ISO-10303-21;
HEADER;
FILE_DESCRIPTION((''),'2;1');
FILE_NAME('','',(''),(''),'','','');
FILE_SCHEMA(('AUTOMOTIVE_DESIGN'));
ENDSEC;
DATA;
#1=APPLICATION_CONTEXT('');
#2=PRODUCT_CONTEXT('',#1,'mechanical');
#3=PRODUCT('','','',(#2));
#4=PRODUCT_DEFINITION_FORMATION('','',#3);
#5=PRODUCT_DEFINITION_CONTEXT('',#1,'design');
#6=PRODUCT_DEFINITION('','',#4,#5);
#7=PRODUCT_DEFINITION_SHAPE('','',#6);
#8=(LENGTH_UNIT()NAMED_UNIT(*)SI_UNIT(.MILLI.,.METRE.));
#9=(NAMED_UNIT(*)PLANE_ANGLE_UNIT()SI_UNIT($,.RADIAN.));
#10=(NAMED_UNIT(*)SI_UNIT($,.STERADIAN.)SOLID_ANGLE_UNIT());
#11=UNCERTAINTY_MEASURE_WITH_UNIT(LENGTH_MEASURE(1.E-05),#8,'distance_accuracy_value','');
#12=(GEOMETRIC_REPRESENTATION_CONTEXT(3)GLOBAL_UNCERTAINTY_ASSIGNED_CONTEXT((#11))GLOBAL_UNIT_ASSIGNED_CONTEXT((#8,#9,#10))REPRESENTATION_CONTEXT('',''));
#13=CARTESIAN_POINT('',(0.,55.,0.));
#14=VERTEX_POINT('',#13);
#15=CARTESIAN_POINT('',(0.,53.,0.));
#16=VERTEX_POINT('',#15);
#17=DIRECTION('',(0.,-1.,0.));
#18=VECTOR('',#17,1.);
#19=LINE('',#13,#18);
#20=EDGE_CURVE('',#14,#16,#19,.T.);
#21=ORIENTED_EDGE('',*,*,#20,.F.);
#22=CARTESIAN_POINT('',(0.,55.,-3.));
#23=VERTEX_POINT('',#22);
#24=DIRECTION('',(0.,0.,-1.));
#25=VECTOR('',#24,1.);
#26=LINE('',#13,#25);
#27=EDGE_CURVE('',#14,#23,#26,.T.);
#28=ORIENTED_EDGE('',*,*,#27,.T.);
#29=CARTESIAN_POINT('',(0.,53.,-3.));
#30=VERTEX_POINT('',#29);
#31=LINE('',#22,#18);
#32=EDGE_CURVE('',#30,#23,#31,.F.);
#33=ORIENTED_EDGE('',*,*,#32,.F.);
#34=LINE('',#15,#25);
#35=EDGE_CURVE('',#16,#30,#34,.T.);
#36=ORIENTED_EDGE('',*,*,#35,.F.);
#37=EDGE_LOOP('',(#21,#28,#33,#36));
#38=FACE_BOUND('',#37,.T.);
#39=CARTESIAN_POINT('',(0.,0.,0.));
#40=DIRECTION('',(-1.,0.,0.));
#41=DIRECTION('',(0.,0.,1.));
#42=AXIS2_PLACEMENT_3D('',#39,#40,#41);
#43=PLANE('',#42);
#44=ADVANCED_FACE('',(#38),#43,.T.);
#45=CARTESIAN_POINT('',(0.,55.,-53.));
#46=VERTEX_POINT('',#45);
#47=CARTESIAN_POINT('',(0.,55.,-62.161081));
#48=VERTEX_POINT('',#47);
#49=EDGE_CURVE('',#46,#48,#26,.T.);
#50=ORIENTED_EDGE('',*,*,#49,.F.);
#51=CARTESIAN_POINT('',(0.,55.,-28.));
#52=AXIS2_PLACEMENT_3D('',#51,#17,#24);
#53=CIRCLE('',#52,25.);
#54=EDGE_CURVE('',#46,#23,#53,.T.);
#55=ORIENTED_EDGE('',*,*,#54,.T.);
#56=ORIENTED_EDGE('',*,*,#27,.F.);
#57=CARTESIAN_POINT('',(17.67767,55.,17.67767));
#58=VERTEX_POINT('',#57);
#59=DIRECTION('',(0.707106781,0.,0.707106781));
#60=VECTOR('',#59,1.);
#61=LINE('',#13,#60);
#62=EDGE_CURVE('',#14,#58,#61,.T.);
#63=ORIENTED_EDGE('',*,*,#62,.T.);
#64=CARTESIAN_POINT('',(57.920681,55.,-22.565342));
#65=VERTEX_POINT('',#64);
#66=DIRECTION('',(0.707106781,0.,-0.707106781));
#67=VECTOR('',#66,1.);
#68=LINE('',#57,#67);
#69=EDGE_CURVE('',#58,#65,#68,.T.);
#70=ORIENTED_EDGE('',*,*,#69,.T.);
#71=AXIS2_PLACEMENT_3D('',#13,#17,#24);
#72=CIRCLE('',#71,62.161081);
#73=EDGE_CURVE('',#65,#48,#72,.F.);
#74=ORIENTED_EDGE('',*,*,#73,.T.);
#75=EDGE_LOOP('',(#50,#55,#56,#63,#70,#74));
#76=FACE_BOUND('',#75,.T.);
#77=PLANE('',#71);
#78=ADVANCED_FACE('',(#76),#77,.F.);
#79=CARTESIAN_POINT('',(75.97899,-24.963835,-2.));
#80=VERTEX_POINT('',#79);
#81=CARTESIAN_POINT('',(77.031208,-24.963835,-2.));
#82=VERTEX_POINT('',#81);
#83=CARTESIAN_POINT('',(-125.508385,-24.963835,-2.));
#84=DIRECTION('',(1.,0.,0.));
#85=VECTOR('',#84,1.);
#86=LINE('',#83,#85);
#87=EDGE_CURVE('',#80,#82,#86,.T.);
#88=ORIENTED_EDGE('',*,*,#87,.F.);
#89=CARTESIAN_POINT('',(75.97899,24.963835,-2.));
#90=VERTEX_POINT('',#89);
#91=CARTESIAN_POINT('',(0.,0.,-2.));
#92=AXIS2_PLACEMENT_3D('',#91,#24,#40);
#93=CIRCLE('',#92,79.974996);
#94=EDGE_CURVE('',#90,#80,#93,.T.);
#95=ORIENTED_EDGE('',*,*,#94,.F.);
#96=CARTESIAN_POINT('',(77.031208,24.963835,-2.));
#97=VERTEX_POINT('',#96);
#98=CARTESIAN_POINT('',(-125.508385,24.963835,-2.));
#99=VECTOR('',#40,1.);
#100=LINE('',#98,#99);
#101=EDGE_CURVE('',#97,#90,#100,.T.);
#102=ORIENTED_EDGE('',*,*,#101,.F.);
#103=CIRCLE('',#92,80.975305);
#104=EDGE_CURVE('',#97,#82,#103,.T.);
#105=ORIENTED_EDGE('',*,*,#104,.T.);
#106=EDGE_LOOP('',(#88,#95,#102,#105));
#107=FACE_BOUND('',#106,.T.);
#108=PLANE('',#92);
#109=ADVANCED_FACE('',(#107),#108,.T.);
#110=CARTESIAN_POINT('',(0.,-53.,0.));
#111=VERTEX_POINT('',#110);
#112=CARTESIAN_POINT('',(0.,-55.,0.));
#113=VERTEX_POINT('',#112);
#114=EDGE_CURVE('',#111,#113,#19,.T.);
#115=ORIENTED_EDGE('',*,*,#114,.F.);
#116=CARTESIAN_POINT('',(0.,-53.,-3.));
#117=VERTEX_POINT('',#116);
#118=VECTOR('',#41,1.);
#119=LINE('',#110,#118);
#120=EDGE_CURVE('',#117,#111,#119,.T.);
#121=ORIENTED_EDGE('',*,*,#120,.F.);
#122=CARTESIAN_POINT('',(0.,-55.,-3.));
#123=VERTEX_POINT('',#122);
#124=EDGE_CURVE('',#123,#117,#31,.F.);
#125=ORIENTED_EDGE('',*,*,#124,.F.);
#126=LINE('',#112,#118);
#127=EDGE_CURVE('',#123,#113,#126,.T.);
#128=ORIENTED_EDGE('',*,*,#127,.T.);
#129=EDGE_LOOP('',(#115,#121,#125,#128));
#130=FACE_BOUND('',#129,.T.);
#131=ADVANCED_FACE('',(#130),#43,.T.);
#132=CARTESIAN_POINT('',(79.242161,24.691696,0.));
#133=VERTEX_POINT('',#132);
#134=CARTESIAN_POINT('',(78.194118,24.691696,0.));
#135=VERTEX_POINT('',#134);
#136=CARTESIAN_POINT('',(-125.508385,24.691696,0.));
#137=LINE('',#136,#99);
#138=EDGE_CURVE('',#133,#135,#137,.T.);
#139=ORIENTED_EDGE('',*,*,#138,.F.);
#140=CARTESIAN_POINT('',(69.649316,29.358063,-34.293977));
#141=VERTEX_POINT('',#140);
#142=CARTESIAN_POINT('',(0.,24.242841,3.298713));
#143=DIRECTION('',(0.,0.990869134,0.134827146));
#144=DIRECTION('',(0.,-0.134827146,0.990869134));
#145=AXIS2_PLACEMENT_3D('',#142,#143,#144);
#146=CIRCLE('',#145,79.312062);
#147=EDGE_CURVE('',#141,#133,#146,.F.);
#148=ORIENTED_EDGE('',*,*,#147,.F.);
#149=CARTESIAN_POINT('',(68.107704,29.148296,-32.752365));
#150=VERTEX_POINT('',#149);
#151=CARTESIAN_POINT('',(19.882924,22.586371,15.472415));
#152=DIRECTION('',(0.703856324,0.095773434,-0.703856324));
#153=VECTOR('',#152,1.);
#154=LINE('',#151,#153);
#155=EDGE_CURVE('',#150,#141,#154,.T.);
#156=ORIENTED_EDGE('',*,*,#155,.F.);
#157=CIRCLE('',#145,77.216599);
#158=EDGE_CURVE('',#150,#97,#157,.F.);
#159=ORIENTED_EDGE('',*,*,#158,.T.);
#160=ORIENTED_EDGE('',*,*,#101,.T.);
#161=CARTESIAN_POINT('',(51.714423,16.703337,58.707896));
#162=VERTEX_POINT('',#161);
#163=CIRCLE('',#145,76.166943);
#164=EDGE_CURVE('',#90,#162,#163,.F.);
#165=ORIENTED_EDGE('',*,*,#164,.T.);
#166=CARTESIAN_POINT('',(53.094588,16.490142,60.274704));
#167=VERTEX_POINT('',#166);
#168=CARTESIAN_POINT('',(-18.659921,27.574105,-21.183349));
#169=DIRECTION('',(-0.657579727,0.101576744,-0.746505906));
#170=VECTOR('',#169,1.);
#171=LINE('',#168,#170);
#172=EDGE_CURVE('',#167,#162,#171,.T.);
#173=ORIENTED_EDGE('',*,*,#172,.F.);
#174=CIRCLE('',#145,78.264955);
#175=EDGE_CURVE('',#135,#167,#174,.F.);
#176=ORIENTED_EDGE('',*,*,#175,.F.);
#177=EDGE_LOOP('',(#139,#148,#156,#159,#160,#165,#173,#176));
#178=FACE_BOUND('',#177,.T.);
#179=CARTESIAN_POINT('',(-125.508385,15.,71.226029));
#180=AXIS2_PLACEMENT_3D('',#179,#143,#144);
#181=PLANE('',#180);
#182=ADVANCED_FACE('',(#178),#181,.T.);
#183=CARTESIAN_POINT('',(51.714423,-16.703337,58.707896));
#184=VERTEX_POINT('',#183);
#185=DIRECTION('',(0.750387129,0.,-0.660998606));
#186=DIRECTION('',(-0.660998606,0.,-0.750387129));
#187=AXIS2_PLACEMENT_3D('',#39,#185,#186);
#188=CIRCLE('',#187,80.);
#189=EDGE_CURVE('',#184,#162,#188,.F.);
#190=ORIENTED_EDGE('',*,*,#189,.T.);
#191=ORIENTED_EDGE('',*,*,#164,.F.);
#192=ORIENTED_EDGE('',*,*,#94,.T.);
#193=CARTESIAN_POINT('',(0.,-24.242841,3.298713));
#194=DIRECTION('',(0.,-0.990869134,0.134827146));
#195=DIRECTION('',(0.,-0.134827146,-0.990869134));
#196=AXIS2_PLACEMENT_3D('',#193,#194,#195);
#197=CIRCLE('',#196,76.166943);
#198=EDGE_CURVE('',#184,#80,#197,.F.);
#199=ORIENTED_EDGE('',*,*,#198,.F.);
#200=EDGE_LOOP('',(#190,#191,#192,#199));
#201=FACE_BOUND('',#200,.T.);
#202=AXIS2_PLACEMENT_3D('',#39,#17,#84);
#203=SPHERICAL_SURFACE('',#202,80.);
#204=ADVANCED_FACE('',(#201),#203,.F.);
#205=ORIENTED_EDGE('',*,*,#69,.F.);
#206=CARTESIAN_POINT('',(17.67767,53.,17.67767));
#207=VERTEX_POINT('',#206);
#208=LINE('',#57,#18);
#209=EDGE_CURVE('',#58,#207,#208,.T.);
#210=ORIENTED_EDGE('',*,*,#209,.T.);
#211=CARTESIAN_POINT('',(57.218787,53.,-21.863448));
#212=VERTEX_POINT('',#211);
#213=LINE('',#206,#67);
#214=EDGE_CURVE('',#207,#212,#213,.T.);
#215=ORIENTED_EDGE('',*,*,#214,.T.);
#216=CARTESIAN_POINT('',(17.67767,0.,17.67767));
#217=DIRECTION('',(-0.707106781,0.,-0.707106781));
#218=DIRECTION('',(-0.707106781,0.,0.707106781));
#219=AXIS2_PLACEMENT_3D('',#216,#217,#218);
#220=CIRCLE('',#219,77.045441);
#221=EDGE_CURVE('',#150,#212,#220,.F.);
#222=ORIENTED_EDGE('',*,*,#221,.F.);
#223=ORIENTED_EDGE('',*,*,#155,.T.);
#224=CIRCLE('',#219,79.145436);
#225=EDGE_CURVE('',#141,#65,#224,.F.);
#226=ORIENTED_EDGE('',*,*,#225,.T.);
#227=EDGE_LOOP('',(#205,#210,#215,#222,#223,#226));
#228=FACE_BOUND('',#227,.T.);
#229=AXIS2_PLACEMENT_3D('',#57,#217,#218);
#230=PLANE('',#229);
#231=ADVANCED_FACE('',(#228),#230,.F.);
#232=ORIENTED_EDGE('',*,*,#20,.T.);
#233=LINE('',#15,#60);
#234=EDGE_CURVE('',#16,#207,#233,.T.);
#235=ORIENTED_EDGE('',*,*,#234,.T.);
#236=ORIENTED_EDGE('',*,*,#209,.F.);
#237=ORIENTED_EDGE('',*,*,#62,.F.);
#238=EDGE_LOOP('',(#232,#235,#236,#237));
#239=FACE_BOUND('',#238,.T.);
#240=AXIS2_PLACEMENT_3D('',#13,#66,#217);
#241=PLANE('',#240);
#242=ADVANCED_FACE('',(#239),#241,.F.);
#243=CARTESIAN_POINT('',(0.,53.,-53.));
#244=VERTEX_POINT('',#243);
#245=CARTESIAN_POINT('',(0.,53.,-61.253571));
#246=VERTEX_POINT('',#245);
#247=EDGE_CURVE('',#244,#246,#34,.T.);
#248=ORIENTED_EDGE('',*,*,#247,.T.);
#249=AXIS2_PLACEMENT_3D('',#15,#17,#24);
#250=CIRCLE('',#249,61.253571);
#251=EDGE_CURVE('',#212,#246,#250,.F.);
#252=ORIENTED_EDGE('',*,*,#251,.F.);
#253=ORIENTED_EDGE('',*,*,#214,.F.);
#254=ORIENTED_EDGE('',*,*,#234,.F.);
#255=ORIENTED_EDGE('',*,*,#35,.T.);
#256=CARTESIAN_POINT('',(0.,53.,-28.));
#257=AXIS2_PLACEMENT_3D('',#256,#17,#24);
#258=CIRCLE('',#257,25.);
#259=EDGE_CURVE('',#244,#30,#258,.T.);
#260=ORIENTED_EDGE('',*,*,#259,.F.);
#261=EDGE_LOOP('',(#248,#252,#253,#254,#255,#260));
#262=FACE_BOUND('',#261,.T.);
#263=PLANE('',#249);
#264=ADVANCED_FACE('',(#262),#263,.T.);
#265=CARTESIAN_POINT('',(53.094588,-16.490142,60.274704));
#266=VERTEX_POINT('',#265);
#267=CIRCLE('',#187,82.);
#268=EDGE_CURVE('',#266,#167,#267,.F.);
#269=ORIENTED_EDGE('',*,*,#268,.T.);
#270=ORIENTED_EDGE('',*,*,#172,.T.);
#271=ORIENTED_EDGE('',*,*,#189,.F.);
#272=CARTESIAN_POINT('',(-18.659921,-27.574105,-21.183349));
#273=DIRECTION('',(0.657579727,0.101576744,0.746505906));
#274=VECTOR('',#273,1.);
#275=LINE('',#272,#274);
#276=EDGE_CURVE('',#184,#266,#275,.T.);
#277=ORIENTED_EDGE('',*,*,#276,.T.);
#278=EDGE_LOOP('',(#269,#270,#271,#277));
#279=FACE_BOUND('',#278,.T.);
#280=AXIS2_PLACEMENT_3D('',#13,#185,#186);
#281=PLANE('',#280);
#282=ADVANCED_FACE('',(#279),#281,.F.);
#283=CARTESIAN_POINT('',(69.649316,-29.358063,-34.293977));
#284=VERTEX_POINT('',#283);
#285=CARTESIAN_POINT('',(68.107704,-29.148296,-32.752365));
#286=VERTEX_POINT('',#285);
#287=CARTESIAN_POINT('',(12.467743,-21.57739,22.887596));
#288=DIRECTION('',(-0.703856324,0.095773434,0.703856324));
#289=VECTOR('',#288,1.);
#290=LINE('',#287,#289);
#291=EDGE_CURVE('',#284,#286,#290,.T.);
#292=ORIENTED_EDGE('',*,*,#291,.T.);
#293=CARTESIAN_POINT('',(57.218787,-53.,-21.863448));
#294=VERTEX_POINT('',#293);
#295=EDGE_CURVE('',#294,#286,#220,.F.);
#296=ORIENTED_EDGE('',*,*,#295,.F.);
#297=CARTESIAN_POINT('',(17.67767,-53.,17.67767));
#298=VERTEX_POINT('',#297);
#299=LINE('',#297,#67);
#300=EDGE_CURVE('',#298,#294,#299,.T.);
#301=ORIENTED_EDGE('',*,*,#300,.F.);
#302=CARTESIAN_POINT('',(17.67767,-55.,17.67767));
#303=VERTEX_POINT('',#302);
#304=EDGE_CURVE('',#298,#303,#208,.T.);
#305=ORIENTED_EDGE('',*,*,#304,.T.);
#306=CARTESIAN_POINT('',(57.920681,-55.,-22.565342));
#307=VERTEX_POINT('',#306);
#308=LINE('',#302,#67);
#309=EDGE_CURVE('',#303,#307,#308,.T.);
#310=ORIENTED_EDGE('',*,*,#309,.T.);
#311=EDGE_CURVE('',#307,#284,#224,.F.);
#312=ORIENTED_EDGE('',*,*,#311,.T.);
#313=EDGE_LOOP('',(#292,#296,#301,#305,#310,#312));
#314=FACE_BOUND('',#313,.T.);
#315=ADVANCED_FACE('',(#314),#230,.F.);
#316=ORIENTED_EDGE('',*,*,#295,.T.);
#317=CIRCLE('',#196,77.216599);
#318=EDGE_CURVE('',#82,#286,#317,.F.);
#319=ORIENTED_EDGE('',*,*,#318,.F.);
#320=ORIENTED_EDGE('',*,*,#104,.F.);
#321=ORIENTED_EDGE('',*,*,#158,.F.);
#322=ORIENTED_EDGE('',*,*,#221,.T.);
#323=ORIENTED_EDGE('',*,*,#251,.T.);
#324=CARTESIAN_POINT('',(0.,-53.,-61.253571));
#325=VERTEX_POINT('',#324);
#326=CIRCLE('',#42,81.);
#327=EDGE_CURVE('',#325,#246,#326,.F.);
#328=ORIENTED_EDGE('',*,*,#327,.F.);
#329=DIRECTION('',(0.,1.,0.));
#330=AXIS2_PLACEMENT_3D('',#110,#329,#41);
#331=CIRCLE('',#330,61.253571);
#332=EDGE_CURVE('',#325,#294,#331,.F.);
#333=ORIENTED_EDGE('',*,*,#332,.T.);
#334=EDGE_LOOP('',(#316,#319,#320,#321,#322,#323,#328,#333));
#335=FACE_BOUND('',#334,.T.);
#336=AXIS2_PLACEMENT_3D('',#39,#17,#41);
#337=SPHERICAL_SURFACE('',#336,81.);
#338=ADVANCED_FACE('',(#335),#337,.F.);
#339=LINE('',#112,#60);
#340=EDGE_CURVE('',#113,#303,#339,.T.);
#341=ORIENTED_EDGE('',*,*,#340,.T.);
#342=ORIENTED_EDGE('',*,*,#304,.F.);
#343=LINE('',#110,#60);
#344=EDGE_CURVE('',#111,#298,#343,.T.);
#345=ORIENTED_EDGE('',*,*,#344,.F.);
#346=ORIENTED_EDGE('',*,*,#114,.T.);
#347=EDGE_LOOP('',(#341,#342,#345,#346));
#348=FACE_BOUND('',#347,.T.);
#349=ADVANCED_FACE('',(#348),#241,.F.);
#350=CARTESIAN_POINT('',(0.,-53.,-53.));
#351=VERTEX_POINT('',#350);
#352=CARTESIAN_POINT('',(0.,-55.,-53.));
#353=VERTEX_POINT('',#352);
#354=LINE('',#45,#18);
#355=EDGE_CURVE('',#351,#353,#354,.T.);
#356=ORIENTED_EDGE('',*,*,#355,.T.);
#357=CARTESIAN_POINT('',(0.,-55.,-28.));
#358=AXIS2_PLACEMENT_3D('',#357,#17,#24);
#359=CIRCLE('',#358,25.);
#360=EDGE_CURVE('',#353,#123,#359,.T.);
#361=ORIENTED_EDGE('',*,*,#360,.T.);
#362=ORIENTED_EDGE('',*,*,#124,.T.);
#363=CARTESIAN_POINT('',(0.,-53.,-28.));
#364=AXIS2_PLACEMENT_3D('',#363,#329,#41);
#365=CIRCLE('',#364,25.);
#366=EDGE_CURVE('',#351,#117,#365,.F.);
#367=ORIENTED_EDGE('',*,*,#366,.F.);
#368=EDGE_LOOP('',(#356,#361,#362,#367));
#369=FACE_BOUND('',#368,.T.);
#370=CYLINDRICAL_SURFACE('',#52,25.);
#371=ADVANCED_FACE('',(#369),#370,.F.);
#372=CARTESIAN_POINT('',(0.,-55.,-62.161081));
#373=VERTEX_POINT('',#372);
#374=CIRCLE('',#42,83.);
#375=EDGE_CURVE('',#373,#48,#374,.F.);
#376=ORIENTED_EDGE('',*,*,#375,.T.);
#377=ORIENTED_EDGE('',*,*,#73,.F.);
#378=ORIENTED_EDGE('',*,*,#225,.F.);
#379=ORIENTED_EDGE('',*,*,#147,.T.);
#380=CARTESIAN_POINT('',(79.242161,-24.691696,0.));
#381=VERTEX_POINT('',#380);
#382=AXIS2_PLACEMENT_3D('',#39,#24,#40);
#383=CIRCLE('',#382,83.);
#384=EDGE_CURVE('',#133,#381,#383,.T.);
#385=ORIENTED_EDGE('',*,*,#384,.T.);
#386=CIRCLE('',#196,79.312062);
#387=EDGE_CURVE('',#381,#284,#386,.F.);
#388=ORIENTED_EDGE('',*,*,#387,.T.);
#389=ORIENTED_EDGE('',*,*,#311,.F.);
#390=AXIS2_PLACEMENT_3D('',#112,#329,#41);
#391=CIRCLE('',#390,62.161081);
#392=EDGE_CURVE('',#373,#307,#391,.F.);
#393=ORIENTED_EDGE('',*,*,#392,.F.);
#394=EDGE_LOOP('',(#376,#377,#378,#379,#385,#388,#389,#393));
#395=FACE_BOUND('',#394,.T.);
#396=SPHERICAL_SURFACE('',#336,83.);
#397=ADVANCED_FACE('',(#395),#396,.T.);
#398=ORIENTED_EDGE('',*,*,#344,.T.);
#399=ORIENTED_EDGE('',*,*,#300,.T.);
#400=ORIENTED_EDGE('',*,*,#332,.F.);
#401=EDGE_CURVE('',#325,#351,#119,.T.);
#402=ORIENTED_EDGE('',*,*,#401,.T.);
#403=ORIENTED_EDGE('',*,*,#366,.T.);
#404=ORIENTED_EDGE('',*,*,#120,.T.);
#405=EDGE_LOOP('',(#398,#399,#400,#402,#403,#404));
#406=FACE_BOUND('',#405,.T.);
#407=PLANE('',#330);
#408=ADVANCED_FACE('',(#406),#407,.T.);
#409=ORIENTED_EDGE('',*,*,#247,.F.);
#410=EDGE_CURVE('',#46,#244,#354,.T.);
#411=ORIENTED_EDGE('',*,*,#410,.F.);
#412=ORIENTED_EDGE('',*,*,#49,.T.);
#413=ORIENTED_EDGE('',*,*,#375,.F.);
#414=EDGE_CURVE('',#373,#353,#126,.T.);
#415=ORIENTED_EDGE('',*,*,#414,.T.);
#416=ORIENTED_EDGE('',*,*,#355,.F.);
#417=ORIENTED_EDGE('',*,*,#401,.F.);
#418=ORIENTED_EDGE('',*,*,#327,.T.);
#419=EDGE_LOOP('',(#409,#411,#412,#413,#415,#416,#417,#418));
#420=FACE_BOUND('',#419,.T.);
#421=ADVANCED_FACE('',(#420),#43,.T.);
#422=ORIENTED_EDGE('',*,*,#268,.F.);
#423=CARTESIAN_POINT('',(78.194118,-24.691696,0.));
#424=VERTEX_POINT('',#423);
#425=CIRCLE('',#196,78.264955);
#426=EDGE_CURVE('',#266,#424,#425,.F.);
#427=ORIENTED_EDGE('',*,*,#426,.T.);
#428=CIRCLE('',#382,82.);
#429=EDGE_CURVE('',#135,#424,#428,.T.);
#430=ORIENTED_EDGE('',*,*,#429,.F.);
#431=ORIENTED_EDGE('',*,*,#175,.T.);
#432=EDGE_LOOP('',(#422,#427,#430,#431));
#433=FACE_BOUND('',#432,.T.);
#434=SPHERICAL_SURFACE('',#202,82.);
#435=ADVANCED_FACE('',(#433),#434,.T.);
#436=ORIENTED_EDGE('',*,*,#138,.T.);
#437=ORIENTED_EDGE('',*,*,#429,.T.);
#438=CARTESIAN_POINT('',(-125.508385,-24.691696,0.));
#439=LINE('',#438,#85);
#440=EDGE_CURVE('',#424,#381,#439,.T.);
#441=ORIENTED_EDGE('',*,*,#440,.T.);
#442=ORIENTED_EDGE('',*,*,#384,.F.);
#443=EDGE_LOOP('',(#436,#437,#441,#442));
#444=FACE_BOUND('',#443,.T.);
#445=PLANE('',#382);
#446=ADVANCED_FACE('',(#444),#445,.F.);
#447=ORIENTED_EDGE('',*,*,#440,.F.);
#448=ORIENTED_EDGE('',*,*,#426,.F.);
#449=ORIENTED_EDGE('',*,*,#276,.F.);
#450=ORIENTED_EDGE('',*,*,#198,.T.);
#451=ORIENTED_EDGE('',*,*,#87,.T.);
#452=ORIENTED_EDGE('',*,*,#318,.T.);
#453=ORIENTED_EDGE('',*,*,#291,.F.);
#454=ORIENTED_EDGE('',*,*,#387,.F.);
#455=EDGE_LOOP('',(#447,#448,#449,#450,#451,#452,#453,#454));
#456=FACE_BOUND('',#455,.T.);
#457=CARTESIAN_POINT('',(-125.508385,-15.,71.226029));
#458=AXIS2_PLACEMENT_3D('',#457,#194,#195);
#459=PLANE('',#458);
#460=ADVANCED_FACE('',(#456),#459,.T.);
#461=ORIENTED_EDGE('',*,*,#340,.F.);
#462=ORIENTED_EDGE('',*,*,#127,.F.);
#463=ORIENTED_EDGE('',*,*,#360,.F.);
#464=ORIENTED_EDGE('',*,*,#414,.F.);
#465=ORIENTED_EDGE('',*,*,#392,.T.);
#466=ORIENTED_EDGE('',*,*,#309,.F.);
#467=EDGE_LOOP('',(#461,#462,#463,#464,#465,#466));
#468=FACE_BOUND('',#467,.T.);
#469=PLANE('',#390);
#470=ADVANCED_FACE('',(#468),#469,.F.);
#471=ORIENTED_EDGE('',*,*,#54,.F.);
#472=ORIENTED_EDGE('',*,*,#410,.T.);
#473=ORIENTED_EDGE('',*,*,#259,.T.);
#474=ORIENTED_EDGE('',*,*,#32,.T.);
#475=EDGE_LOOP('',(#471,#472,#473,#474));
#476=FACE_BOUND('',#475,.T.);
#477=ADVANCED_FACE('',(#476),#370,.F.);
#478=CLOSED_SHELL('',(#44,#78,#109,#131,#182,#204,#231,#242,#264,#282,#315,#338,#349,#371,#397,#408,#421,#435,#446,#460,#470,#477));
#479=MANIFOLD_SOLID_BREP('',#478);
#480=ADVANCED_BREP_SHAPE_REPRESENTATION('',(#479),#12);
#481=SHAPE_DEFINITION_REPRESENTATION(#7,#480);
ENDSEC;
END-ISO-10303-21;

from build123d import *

# Parameters (mm, degrees)
REVOLVE1_ANGLE      = 180
CUT_EXTRUDE1_DEPTH  = 173.874496063
BOSS_EXTRUDE1_DEPTH = 100
CUT_EXTRUDE2_DEPTH  = 161.866404199
CUT_REVOLVE2_ANGLE  = 90
SKETCH7_R           = 25
CUT_EXTRUDE3_DEPTH  = 161.866404199
SHELL1_T            = -2


with BuildPart() as part:
    # Sketch1 → Revolve1 (revolve)
    with BuildSketch(Plane(origin=(0, 0, 0), x_dir=(0, 0, -1), z_dir=(1, 0, 0))):
        with BuildLine():
            Line((0, -55), (0, 55))
            Line((0, 55), (-76.60153846, 55))
            ThreePointArc((-76.60153846, 55), (-94.301620847, 0), (-76.60153846, -55))
            Line((-76.60153846, -55), (0, -55))
        make_face()
    revolve(axis=Axis((0, -55, 0), (0, 1, 0)), revolution_arc=REVOLVE1_ANGLE)

    # Sketch2 → Cut-Extrude1 (cut, through all)
    with BuildSketch(Plane.XZ.offset(55)):
        Polygon((0, 0), (17.67766953, 17.67766953), (110.975280637, -75.619941577), (110.975280637, 155.951540754), (-110.127783366, 155.951540754), (-110.127783366, 0), align=None)
    extrude(amount=-CUT_EXTRUDE1_DEPTH, mode=Mode.SUBTRACT)

    # Sketch3 → Boss-Extrude1 (add)
    with BuildSketch(Plane(origin=(100, 0, 0), x_dir=(0, 0, -1), z_dir=(1, 0, 0))):
        Polygon((-71.226029464, -15), (-71.226029464, 15), (39.011689542, 30), (39.011689542, -30), align=None)
    extrude(amount=-BOSS_EXTRUDE1_DEPTH)

    # Sketch4 → Cut-Revolve1 (revolve, cut)
    with BuildSketch(Plane(origin=(0, 0, 0), x_dir=(0, 0, -1), z_dir=(1, 0, 0))):
        with BuildLine():
            Line((-59.361204271, 58.010752688), (-134.505556561, 58.010752688))
            ThreePointArc((-134.505556561, 58.010752688), (-146.4820541, 0), (-134.505556561, -58.010752688))
            Line((-134.505556561, -58.010752688), (-59.361204271, -58.010752688))
            ThreePointArc((-59.361204271, -58.010752688), (-83, 0), (-59.361204271, 58.010752688))
        make_face()
    revolve(axis=Axis((0, 0, 0), (0, 1, 0)), mode=Mode.SUBTRACT)

    # Sketch5 → Cut-Extrude2 (cut, through all)
    with BuildSketch(Plane.XZ.offset(55)):
        Polygon((0, 0), (70.470143291, 80), (-50.338034401, 80), (-50.338034401, 0), align=None)
    extrude(amount=-CUT_EXTRUDE2_DEPTH, mode=Mode.SUBTRACT)

    # Sketch6 → Cut-Revolve2 (revolve, cut)
    with BuildSketch(Plane(origin=(0, 0, 0), x_dir=(0, 0, -1), z_dir=(1, 0, 0))):
        with BuildLine():
            Line((-48.985500868, 65.760327742), (-101.43758046, 65.760327742))
            ThreePointArc((-101.43758046, 65.760327742), (-120.888392471, 0), (-101.43758046, -65.760327742))
            Line((-101.43758046, -65.760327742), (-48.985500868, -65.760327742))
            ThreePointArc((-48.985500868, -65.760327742), (-82, 0), (-48.985500868, 65.760327742))
        make_face()
    revolve(axis=Axis((0, 0, 0), (0, 1, 0)), revolution_arc=CUT_REVOLVE2_ANGLE, mode=Mode.SUBTRACT)

    # Sketch7 → Cut-Extrude3 (cut, through all)
    with BuildSketch(Plane.XZ.offset(55)):
        with Locations((0, -28)):
            Circle(SKETCH7_R)
    extrude(amount=-CUT_EXTRUDE3_DEPTH, mode=Mode.SUBTRACT)

    # Shell1
    shell1_openings = [part.faces().sort_by_distance(p)[0] for p in [
        (0, 0, -65.508602259),
        (25, 0, -28),
        (8.951286878, 39.236848999, 8.951286878),
        (8.951286878, -39.236848999, 8.951286878),
        (53.49764896, 22.71356766, 14.537622511),
        (53.49764896, -22.71356766, 14.537622511),
        (40.440192864, 39.71059478, -5.084853804),
        (40.440192864, -39.71059478, -5.084853804),
        (0, 0, -1.5),
        (25.1022253, 0, 28.496863072),
    ]]
    offset(amount=SHELL1_T, openings=shell1_openings, kind=Kind.INTERSECTION)


solid = part.part
